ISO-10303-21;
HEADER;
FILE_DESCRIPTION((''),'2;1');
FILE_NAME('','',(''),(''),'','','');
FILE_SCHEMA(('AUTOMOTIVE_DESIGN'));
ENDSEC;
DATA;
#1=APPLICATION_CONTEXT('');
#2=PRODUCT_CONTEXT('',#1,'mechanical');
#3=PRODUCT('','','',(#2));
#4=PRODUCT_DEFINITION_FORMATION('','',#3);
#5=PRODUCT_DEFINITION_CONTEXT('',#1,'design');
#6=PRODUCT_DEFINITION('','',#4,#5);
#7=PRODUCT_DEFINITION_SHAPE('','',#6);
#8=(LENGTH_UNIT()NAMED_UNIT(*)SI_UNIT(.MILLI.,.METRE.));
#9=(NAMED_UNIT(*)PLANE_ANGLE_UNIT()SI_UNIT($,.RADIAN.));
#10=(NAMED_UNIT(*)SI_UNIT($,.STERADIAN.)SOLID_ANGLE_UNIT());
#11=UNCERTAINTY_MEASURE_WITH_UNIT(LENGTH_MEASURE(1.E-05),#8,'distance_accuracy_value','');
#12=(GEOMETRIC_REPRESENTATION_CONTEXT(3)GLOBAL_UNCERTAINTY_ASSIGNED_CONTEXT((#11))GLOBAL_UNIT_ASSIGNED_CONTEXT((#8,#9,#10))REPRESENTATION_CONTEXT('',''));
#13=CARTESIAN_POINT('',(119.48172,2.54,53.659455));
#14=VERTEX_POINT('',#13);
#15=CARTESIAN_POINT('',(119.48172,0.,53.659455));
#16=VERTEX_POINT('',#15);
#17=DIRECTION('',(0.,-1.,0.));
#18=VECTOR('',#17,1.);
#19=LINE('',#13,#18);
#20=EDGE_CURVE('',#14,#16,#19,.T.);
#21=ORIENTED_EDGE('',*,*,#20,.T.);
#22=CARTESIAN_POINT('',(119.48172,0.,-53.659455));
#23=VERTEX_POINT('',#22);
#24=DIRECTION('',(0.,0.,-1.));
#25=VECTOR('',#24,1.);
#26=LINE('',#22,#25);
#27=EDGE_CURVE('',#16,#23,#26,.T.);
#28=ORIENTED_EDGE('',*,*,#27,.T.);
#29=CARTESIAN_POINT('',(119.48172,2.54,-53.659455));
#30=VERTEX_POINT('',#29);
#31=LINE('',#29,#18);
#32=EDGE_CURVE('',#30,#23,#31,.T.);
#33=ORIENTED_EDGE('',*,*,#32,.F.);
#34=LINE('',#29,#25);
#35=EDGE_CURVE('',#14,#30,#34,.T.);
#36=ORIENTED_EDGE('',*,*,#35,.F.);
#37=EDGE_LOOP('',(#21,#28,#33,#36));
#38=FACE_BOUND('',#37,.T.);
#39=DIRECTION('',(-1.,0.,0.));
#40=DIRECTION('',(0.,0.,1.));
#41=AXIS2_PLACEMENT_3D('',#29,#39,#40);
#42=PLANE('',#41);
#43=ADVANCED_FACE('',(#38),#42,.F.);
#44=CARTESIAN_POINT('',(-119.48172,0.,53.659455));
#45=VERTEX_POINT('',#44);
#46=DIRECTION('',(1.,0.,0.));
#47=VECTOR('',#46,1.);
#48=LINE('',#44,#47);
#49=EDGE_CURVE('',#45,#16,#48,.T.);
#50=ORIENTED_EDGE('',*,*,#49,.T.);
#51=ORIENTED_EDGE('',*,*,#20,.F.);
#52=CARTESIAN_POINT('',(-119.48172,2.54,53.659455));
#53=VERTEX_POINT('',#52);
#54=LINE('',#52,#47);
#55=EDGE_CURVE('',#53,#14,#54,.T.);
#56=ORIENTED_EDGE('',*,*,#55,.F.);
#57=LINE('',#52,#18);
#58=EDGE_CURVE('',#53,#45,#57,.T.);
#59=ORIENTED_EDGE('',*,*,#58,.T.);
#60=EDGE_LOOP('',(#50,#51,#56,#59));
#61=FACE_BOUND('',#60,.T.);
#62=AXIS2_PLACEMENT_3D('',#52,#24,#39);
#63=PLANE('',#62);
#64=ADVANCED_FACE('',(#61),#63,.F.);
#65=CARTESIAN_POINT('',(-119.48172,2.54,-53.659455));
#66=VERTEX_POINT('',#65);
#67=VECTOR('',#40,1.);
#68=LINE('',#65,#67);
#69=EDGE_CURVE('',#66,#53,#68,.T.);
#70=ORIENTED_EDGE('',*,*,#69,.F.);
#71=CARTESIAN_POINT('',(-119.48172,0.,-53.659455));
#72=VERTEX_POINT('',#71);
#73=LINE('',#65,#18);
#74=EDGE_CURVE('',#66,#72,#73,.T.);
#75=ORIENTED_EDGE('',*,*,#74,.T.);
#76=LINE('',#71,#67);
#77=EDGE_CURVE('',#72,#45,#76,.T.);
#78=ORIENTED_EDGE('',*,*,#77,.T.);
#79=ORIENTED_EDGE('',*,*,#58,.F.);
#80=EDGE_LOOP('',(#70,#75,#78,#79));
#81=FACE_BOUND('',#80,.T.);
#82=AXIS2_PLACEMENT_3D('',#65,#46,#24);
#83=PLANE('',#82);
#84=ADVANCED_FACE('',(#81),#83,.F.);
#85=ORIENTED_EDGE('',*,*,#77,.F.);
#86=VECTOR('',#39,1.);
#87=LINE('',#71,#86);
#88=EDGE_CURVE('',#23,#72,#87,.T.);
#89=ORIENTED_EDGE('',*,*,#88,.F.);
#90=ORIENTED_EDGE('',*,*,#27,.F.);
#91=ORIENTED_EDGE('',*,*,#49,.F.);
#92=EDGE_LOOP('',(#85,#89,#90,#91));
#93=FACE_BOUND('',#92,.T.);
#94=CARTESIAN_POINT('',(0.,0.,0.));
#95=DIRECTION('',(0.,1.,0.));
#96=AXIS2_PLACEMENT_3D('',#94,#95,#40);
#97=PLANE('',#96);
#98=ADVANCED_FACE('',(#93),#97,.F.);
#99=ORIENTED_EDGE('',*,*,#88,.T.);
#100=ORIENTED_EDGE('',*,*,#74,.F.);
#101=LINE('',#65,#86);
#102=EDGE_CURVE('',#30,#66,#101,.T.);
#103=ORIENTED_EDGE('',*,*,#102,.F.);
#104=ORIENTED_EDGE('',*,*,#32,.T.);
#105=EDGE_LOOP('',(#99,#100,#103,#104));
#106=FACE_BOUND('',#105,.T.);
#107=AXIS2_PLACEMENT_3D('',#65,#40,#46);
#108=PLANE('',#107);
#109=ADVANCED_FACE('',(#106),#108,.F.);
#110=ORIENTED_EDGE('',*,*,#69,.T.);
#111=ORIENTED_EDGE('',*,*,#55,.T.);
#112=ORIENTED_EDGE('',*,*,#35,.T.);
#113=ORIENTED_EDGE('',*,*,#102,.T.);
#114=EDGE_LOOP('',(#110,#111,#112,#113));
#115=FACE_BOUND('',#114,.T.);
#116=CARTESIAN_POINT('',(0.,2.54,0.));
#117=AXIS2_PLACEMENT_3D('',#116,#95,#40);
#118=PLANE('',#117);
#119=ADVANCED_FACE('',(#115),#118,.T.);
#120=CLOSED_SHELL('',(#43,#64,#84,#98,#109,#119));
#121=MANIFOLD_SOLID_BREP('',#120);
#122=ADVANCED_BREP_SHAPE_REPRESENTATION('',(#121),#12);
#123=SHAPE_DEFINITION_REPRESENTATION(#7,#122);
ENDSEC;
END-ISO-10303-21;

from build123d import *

# Parameters (mm, degrees)
SKETCH1_W           = 238.96344024
SKETCH1_H           = 107.318910288
BOSS_EXTRUDE1_DEPTH = 2.54


with BuildPart() as part:
    # Sketch1 → Boss-Extrude1 (new body)
    with BuildSketch(Plane(origin=(0, 0, 0), x_dir=(1, 0, 0), z_dir=(0, 1, 0))):
        Rectangle(SKETCH1_W, SKETCH1_H)
    extrude(amount=BOSS_EXTRUDE1_DEPTH)


solid = part.part
